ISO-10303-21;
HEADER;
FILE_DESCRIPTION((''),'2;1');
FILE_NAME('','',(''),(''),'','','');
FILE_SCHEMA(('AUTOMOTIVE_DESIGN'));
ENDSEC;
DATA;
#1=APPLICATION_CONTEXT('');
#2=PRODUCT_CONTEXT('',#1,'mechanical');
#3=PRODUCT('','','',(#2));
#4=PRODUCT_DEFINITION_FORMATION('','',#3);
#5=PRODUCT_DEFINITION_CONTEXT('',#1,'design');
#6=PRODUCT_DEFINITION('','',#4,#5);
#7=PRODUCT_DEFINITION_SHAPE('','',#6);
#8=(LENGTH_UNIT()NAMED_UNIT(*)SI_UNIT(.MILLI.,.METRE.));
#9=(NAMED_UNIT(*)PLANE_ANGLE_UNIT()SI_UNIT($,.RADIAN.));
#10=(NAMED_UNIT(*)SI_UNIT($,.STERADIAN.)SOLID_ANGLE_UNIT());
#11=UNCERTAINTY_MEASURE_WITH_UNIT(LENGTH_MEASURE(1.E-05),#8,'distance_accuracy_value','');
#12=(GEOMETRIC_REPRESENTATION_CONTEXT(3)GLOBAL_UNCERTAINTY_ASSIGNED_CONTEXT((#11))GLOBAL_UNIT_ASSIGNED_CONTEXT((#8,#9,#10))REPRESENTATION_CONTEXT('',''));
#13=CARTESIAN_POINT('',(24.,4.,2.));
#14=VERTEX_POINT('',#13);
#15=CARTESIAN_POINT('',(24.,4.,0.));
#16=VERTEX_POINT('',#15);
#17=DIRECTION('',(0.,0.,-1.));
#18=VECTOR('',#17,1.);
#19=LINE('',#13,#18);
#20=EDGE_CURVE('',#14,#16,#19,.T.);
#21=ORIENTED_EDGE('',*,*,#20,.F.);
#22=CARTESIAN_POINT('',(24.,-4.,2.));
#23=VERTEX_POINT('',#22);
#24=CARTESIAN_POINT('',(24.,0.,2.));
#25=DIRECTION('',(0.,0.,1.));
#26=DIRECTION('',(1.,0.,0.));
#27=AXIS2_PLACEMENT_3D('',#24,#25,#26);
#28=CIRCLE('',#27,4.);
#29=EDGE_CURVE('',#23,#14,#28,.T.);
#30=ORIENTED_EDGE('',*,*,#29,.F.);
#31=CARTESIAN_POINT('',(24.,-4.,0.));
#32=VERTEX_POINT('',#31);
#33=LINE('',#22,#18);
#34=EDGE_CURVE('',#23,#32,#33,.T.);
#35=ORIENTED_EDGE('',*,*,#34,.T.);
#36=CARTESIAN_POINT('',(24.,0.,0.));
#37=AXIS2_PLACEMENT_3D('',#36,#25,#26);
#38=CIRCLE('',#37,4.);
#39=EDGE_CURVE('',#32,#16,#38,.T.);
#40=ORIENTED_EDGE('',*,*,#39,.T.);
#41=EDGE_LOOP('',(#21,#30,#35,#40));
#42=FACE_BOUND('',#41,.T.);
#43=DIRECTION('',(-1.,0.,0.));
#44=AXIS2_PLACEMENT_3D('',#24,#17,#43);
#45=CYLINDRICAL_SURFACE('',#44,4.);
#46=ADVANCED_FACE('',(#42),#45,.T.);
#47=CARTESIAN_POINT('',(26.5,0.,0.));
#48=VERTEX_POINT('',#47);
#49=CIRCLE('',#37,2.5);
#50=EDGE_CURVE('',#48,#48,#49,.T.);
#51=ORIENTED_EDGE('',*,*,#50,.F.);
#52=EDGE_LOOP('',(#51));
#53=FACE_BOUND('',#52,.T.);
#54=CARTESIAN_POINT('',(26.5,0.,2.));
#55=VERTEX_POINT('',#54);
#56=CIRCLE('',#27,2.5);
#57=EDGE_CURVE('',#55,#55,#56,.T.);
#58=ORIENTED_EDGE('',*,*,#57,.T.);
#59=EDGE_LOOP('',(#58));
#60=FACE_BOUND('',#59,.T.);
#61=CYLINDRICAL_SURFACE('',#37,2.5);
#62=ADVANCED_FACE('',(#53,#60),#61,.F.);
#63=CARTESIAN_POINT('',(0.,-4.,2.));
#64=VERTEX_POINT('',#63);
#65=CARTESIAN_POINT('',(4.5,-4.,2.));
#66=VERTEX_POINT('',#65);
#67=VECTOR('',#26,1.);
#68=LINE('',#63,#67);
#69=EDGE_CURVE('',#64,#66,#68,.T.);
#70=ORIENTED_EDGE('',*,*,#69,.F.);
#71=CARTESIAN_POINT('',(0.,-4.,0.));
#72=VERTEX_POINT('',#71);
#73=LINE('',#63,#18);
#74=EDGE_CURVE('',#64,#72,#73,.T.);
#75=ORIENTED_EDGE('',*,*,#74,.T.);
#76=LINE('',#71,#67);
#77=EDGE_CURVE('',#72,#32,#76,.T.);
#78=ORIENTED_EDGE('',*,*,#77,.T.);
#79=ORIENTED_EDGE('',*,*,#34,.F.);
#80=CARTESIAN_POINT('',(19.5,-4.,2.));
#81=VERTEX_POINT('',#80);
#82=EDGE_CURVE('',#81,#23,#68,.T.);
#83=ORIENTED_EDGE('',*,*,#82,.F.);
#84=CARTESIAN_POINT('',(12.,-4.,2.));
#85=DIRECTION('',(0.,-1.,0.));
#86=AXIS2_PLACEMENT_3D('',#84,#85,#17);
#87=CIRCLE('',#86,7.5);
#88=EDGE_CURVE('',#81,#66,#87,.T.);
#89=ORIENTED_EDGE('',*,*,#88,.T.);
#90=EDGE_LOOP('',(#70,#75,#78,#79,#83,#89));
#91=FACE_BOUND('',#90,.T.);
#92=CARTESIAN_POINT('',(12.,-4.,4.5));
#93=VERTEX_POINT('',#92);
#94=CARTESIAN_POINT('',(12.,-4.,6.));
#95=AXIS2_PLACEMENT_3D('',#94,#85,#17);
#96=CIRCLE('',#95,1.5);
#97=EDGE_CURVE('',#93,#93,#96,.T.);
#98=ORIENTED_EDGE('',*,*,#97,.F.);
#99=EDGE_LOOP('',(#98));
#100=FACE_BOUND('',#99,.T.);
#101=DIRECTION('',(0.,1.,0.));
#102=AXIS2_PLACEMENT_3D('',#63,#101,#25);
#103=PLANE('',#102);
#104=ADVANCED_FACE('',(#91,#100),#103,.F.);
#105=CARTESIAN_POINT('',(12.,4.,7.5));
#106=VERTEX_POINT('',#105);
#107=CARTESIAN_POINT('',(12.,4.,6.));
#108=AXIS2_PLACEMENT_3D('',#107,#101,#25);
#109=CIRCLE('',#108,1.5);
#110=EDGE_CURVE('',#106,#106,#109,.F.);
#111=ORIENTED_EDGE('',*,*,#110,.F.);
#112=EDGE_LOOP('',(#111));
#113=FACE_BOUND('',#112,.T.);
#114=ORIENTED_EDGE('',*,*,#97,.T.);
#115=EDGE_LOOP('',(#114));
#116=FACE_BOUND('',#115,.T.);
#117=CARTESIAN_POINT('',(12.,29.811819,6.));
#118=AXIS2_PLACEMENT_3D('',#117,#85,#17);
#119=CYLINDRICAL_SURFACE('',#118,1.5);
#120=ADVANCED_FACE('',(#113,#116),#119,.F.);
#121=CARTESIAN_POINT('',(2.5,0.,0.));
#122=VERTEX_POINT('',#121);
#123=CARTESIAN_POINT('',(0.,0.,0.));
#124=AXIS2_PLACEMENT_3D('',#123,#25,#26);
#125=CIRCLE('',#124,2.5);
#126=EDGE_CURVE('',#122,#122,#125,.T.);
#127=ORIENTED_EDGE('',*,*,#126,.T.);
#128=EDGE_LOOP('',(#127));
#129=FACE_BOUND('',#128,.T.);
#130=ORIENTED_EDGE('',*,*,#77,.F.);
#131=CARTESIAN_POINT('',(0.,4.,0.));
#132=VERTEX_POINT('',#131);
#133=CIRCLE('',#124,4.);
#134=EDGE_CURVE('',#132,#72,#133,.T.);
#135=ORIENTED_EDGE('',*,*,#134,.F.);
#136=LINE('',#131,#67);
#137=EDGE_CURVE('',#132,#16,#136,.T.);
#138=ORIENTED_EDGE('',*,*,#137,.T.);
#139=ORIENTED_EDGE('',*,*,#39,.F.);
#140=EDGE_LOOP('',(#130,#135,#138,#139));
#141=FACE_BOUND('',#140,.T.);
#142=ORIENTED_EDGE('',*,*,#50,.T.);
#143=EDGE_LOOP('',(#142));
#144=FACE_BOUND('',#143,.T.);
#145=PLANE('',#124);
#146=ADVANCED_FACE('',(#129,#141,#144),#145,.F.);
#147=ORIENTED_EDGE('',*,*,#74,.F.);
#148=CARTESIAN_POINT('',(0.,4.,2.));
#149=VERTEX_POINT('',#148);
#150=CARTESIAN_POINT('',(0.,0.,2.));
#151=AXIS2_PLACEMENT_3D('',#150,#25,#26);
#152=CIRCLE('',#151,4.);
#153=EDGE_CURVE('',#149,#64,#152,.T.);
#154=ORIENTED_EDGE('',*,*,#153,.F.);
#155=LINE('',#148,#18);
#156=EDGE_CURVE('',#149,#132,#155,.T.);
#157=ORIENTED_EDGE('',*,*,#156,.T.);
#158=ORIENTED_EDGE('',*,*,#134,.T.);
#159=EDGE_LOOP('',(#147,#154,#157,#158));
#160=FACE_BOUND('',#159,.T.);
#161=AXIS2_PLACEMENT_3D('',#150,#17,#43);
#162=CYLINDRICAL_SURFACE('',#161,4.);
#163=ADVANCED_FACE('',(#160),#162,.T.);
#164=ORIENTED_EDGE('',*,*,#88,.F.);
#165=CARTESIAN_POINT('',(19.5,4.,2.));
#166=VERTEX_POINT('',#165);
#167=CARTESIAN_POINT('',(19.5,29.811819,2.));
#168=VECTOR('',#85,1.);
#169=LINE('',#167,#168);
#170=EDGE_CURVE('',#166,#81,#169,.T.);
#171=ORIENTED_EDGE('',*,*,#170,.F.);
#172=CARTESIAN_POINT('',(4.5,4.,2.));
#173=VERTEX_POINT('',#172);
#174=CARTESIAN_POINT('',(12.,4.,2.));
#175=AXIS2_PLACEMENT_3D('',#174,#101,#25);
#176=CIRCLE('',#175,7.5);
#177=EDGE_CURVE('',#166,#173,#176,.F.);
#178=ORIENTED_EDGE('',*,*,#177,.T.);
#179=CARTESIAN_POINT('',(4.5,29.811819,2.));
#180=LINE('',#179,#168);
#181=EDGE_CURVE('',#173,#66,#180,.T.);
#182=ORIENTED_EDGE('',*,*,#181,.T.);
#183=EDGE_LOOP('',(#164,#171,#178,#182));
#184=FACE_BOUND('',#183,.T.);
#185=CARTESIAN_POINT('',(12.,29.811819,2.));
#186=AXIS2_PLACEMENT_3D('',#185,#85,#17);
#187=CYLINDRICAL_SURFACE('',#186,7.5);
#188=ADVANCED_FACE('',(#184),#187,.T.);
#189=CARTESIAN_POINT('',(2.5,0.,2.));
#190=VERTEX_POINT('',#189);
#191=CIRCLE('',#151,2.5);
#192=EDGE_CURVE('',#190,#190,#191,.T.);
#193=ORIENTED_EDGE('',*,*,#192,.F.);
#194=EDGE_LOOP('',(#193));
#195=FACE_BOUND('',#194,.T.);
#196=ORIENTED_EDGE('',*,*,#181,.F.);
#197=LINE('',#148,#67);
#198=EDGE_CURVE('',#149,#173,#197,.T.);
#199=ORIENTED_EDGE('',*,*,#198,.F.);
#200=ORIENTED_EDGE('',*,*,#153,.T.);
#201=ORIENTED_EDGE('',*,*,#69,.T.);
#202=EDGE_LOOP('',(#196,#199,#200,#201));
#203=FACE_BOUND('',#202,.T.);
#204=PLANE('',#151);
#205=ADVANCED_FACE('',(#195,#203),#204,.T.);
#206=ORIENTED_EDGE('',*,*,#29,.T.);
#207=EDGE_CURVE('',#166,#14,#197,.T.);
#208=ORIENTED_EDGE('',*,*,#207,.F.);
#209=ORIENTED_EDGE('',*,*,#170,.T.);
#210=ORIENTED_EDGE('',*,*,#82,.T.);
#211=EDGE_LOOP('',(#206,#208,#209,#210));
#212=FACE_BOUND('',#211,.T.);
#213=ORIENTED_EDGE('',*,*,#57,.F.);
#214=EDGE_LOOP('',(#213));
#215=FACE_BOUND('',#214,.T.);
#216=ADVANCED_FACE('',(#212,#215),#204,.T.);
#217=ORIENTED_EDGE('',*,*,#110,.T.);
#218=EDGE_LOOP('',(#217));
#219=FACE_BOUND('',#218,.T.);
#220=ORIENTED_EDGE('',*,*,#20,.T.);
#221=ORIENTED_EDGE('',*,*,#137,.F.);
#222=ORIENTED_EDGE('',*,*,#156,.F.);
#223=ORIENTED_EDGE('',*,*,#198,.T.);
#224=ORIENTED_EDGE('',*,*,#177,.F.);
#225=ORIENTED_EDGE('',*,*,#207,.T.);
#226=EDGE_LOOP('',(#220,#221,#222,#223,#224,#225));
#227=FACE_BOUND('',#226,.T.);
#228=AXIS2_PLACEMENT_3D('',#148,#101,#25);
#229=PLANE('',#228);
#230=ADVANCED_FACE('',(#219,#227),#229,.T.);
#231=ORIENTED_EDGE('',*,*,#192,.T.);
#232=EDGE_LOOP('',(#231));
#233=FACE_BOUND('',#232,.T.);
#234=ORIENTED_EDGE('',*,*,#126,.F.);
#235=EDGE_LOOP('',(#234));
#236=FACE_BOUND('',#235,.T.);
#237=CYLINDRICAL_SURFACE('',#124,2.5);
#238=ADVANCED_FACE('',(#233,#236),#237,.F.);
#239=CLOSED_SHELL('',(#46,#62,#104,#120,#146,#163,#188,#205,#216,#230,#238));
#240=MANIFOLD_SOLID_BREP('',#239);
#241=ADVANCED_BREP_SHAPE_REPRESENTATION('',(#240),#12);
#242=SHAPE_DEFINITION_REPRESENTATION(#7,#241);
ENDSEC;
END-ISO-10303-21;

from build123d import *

# Parameters (mm, degrees)
BOSS_EXTRUDE1_DEPTH = 2
SKETCH2_R           = 1.5
BOSS_EXTRUDE2_DEPTH = 8
SKETCH6_R           = 2.5
CUT_EXTRUDE1_DEPTH  = 30.261749777


with BuildPart() as part:
    # Sketch1 → Boss-Extrude1 (new body)
    with BuildSketch(Plane.XY):
        with BuildLine():
            ThreePointArc((4, 0), (2.828427125, 2.828427125), (0, 4))
            Line((0, 4), (0, -4))
            ThreePointArc((0, -4), (2.828427125, -2.828427125), (4, 0))
        make_face()
        with BuildLine():
            Line((0, -4), (0, 4))
            ThreePointArc((0, 4), (-4, 0), (0, -4))
        make_face()
        with BuildLine():
            ThreePointArc((4, 0), (2.828427125, 2.828427125), (0, 4))
            Line((0, 4), (0, -4))
            ThreePointArc((0, -4), (2.828427125, -2.828427125), (4, 0))
        make_face()
        with BuildLine():
            Line((0, -4), (0, 4))
            ThreePointArc((0, 4), (-4, 0), (0, -4))
        make_face()
        with BuildLine():
            Line((24, 4), (0, 4))
            ThreePointArc((0, 4), (2.828427125, 2.828427125), (4, 0))
            ThreePointArc((4, 0), (2.828427125, -2.828427125), (0, -4))
            Line((0, -4), (24, -4))
            ThreePointArc((24, -4), (20, 0), (24, 4))
        make_face()
        with BuildLine():
            ThreePointArc((28, 0), (26.828427125, 2.828427125), (24, 4))
            Line((24, 4), (24, -4))
            ThreePointArc((24, -4), (26.828427125, -2.828427125), (28, 0))
        make_face()
        with BuildLine():
            Line((24, -4), (24, 4))
            ThreePointArc((24, 4), (20, 0), (24, -4))
        make_face()
        with BuildLine():
            ThreePointArc((28, 0), (26.828427125, 2.828427125), (24, 4))
            Line((24, 4), (24, -4))
            ThreePointArc((24, -4), (26.828427125, -2.828427125), (28, 0))
        make_face()
        with BuildLine():
            Line((24, -4), (24, 4))
            ThreePointArc((24, 4), (20, 0), (24, -4))
        make_face()
    extrude(amount=BOSS_EXTRUDE1_DEPTH)

    # Sketch2 → Boss-Extrude2 (add)
    with BuildSketch(Plane.XZ.offset(4)):
        with BuildLine():
            Line((4.5, 2), (19.5, 2))
            ThreePointArc((19.5, 2), (12, 9.5), (4.5, 2))
        make_face()
        with Locations(Location((12, 6, 0), (0, 0, 270))):
            Circle(SKETCH2_R, mode=Mode.SUBTRACT)
    extrude(amount=-BOSS_EXTRUDE2_DEPTH)

    # Sketch6 → Cut-Extrude1 (cut, through all)
    with BuildSketch(Plane.XY.offset(2)):
        Circle(SKETCH6_R)
        with Locations((24, 0)):
            Circle(SKETCH6_R)
    extrude(amount=-CUT_EXTRUDE1_DEPTH, mode=Mode.SUBTRACT)


solid = part.part
